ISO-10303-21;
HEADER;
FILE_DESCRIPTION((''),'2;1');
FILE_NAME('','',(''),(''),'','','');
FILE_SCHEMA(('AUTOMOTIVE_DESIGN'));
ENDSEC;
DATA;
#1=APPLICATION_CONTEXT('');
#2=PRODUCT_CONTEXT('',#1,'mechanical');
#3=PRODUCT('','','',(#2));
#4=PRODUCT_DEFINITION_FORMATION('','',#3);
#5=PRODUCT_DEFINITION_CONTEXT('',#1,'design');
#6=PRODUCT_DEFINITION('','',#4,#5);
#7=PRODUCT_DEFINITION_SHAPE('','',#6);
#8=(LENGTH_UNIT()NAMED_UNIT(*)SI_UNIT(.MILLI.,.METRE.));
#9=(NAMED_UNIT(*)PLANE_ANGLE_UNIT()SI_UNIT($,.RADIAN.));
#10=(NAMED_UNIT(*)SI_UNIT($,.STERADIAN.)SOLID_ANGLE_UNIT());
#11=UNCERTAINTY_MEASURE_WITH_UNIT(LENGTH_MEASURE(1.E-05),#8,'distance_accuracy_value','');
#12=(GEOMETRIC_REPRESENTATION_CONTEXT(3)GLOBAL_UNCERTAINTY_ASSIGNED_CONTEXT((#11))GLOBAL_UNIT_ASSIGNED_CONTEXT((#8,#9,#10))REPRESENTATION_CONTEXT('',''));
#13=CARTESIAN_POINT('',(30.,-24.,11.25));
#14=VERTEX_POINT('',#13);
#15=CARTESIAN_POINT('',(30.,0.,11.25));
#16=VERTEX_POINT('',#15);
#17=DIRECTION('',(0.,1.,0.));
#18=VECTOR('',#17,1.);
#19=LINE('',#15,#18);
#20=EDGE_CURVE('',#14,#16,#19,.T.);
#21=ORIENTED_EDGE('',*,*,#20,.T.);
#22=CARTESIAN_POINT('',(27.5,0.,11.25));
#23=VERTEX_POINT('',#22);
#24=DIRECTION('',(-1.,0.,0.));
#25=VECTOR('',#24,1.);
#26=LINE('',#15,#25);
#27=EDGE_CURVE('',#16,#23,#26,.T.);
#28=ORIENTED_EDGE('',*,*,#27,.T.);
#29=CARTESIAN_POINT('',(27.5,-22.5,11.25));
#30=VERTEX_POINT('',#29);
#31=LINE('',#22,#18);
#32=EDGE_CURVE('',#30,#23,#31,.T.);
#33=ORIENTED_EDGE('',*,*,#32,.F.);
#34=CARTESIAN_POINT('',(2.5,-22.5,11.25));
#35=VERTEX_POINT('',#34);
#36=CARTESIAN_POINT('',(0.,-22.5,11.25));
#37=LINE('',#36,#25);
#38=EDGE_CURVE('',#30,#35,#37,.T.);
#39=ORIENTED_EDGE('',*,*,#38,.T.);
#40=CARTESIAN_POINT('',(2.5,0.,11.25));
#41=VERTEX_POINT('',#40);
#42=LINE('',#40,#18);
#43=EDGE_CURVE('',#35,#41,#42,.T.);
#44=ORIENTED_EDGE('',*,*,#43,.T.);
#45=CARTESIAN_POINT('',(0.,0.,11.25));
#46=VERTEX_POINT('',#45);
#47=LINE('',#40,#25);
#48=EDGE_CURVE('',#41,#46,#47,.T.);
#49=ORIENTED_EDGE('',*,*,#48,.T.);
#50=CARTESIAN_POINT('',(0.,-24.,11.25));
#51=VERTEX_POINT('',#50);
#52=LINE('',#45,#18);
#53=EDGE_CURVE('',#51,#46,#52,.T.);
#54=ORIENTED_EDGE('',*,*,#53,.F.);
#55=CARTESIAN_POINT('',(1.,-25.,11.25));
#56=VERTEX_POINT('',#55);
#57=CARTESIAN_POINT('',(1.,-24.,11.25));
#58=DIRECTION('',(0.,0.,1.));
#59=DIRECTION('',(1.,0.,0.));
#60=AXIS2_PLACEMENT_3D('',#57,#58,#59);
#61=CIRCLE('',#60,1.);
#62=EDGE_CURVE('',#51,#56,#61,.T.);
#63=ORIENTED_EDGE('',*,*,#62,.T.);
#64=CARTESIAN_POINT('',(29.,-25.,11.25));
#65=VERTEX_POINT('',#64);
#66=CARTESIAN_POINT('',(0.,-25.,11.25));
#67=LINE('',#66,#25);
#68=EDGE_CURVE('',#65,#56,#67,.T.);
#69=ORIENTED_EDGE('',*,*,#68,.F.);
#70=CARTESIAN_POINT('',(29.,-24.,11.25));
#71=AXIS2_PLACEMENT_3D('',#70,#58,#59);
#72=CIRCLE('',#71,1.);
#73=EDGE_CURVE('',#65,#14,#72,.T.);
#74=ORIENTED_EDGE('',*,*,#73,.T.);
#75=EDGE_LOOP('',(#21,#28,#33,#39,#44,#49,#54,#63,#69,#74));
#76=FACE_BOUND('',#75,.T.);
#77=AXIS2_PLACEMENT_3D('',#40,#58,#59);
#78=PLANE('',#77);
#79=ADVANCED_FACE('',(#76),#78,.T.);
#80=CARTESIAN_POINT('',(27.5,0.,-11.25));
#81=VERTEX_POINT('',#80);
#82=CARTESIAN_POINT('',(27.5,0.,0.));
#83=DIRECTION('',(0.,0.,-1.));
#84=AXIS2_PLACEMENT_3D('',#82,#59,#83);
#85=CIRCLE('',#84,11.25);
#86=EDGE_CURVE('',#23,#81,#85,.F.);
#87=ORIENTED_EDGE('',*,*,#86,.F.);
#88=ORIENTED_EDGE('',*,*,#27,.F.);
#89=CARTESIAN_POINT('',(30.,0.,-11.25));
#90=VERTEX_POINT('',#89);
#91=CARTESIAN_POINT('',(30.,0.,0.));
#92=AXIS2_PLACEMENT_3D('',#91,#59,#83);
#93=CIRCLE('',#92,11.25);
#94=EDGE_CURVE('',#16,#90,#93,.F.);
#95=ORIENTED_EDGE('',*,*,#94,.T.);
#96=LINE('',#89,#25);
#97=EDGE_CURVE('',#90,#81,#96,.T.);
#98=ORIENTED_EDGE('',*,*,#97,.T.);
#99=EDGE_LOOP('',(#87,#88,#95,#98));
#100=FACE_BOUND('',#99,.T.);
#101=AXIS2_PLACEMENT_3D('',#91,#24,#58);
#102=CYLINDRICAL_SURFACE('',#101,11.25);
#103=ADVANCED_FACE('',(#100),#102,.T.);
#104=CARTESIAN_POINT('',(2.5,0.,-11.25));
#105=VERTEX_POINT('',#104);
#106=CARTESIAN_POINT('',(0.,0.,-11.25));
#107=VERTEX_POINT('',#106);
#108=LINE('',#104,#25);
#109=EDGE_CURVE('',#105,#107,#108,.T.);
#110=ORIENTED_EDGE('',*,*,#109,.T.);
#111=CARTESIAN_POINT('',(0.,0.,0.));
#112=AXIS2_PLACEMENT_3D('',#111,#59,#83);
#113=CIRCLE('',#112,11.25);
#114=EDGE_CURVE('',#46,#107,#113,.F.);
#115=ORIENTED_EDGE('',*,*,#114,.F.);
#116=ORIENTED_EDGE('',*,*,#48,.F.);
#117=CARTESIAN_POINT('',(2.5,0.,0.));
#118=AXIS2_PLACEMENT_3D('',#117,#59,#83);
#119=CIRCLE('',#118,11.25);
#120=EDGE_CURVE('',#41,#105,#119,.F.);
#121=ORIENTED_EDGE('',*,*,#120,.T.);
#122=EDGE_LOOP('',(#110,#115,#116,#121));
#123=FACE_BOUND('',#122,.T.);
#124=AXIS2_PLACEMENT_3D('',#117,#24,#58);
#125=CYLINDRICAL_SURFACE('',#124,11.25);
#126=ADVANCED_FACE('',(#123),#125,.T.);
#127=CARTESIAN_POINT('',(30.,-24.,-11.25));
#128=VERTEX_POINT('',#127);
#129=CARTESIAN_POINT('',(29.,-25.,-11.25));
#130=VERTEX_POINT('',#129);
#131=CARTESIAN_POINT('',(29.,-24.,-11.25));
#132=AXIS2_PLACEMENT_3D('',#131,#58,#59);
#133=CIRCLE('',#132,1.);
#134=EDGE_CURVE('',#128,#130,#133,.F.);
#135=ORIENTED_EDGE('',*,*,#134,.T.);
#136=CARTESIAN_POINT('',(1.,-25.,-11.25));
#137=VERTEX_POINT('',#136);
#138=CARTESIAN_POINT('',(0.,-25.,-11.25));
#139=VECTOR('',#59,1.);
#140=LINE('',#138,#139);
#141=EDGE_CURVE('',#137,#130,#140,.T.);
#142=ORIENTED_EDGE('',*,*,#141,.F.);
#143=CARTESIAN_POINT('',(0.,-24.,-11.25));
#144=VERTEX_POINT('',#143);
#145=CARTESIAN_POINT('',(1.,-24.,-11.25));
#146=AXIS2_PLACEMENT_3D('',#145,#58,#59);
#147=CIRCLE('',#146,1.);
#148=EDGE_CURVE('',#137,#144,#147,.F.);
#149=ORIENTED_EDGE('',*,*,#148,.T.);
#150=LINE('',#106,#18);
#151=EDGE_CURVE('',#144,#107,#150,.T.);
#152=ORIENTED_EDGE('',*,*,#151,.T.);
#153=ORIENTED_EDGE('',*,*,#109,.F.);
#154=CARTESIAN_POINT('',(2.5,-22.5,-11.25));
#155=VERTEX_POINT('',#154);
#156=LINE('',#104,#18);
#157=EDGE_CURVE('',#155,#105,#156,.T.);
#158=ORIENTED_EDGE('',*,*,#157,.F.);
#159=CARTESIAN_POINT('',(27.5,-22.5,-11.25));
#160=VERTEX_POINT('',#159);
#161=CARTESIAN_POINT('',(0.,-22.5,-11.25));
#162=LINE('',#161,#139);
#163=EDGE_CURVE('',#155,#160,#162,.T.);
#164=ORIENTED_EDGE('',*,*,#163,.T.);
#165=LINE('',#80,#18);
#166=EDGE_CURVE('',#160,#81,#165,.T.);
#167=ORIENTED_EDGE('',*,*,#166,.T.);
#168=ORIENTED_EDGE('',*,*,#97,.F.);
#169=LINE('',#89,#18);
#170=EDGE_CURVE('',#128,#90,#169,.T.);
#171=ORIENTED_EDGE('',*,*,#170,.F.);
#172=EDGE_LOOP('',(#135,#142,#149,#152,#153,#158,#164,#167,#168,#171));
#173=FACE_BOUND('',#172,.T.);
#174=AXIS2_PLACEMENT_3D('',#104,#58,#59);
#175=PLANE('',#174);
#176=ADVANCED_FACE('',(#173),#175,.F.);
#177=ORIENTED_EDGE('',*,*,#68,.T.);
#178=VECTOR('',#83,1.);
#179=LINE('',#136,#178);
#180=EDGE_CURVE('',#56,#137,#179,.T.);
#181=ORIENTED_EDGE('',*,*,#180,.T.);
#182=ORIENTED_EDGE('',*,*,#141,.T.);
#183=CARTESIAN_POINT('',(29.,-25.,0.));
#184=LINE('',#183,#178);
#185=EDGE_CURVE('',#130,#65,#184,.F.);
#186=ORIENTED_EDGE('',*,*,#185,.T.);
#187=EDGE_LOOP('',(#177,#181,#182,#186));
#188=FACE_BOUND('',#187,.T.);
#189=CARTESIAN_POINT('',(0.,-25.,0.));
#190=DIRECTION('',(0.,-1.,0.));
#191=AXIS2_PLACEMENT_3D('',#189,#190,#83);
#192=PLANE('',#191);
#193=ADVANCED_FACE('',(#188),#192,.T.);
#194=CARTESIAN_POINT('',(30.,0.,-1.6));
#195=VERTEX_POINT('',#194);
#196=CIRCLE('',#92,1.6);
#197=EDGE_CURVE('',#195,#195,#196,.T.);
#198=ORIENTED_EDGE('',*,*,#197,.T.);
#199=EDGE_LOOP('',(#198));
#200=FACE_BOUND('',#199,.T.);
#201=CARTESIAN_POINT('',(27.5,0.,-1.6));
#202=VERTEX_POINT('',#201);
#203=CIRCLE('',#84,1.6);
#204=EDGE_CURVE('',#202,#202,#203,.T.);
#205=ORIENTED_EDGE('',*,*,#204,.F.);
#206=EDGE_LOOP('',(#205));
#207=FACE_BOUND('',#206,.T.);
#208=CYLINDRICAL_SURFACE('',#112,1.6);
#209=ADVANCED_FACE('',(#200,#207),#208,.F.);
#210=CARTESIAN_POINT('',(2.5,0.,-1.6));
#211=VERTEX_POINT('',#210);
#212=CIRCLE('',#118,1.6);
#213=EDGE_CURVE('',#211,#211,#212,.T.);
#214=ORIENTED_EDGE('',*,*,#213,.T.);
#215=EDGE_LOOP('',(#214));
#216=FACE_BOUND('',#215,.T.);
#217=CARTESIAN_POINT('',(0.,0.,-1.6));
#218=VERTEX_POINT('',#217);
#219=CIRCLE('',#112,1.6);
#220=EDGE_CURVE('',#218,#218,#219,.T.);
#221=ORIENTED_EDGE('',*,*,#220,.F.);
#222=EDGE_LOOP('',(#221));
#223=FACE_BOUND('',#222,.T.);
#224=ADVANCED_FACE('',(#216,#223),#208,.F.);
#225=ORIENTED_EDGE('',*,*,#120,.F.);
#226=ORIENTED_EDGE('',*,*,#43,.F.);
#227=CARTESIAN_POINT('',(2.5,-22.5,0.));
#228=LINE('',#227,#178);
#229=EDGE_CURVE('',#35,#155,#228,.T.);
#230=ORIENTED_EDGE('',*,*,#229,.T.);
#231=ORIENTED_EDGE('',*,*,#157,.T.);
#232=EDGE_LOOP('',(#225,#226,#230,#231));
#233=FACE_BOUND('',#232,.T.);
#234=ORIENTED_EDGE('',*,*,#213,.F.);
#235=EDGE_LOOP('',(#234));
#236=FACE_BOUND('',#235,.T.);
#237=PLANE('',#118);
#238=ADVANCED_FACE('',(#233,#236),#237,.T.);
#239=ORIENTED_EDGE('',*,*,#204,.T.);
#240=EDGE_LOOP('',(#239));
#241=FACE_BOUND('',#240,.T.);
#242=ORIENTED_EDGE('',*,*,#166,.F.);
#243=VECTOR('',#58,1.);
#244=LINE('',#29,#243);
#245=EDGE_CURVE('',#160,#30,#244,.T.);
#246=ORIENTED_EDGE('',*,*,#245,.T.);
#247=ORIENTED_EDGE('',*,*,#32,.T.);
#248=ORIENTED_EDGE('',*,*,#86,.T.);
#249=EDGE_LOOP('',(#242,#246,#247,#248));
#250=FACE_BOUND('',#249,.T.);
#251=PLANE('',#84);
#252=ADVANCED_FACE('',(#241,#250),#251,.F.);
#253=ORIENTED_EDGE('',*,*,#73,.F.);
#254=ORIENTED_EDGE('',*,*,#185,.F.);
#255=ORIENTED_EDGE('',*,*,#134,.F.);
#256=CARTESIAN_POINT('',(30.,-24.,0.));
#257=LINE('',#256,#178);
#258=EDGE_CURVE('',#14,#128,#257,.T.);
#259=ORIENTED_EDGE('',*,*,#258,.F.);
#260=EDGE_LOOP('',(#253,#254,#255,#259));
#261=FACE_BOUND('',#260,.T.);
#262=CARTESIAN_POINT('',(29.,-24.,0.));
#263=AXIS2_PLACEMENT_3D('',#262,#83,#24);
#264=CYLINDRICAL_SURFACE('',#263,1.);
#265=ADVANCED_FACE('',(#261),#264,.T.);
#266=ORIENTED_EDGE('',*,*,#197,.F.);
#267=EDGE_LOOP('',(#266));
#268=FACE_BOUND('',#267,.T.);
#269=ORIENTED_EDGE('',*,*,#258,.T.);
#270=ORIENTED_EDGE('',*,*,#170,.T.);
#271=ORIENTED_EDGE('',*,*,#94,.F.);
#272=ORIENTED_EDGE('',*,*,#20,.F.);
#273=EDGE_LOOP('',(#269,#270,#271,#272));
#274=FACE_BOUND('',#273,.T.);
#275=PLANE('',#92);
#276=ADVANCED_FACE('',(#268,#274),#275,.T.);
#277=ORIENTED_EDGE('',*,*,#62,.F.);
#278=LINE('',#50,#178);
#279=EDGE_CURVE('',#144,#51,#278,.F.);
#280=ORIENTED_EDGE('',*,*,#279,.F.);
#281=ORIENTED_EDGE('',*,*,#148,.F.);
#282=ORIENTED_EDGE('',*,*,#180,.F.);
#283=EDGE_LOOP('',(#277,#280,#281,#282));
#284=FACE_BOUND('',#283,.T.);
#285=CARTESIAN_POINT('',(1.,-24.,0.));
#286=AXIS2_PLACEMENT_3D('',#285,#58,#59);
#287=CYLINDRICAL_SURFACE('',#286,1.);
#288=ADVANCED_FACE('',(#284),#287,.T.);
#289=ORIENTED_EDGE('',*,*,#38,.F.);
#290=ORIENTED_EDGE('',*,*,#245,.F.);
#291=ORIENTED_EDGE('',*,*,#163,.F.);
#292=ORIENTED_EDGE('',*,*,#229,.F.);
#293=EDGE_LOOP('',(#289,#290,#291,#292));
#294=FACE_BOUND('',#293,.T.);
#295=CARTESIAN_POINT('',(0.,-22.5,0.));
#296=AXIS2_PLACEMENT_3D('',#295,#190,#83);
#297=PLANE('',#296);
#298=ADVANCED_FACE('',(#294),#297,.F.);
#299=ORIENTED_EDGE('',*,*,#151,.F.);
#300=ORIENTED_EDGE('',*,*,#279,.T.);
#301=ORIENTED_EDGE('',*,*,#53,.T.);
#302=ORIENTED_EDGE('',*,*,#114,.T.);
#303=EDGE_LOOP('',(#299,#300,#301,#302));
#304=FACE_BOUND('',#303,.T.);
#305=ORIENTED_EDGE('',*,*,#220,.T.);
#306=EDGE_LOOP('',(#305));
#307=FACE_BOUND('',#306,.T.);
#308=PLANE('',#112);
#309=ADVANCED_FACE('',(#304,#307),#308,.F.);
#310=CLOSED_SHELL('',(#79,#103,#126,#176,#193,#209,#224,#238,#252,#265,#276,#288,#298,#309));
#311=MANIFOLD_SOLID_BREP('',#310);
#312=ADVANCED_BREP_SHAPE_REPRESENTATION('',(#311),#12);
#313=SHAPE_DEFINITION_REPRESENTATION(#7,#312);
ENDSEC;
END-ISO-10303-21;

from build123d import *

# Parameters (mm, degrees)
BOSS_EXTRUDE1_DEPTH = 2.5
SKETCH2_W           = 27.5
SKETCH2_H           = 22.5
BOSS_EXTRUDE2_DEPTH = 2.5
SKETCH5_W           = 22.5
SKETCH5_H           = 25
BOSS_EXTRUDE3_DEPTH = 2.5
SKETCH6_R           = 1.6
CUT_EXTRUDE1_DEPTH  = 30
FILLET1_R           = 1


with BuildPart() as part:
    # Sketch1 → Boss-Extrude1 (new body)
    with BuildSketch(Plane(origin=(0, 0, 0), x_dir=(0, 0, -1), z_dir=(1, 0, 0))):
        with BuildLine():
            Line((-11.25, 0), (-11.25, -22.5))
            Line((-11.25, -22.5), (11.25, -22.5))
            Line((11.25, -22.5), (11.25, 0))
            ThreePointArc((11.25, 0), (0, 11.25), (-11.25, 0))
        make_face()
    extrude(amount=BOSS_EXTRUDE1_DEPTH)

    # Sketch2 → Boss-Extrude2 (add)
    with BuildSketch(Plane(origin=(0, -22.5, 0), x_dir=(-1, 0, 0), z_dir=(0, -1, 0))):
        with Locations((-13.75, 0)):
            Rectangle(SKETCH2_W, SKETCH2_H)
    extrude(amount=BOSS_EXTRUDE2_DEPTH)

    # Sketch5 → Boss-Extrude3 (add)
    with BuildSketch(Plane(origin=(27.5, 0, 0), x_dir=(0, 0, -1), z_dir=(1, 0, 0))):
        with BuildLine():
            ThreePointArc((-11.25, 0), (0, 11.25), (11.25, 0))
            Line((11.25, 0), (-11.25, 0))
        make_face()
        with Locations((0, -12.5)):
            Rectangle(SKETCH5_W, SKETCH5_H)
    extrude(amount=BOSS_EXTRUDE3_DEPTH)

    # Sketch6 → Cut-Extrude1 (cut)
    with BuildSketch(Plane(origin=(30, 0, 0), x_dir=(0, 0, -1), z_dir=(1, 0, 0))):
        Circle(SKETCH6_R)
    extrude(amount=-CUT_EXTRUDE1_DEPTH, mode=Mode.SUBTRACT)

    # Fillet1
    fillet1_edges = [part.edges().sort_by_distance(p)[0] for p in [
        (0, -25, 0),
        (30, -25, 0),
    ]]
    fillet(fillet1_edges, radius=FILLET1_R)


solid = part.part
